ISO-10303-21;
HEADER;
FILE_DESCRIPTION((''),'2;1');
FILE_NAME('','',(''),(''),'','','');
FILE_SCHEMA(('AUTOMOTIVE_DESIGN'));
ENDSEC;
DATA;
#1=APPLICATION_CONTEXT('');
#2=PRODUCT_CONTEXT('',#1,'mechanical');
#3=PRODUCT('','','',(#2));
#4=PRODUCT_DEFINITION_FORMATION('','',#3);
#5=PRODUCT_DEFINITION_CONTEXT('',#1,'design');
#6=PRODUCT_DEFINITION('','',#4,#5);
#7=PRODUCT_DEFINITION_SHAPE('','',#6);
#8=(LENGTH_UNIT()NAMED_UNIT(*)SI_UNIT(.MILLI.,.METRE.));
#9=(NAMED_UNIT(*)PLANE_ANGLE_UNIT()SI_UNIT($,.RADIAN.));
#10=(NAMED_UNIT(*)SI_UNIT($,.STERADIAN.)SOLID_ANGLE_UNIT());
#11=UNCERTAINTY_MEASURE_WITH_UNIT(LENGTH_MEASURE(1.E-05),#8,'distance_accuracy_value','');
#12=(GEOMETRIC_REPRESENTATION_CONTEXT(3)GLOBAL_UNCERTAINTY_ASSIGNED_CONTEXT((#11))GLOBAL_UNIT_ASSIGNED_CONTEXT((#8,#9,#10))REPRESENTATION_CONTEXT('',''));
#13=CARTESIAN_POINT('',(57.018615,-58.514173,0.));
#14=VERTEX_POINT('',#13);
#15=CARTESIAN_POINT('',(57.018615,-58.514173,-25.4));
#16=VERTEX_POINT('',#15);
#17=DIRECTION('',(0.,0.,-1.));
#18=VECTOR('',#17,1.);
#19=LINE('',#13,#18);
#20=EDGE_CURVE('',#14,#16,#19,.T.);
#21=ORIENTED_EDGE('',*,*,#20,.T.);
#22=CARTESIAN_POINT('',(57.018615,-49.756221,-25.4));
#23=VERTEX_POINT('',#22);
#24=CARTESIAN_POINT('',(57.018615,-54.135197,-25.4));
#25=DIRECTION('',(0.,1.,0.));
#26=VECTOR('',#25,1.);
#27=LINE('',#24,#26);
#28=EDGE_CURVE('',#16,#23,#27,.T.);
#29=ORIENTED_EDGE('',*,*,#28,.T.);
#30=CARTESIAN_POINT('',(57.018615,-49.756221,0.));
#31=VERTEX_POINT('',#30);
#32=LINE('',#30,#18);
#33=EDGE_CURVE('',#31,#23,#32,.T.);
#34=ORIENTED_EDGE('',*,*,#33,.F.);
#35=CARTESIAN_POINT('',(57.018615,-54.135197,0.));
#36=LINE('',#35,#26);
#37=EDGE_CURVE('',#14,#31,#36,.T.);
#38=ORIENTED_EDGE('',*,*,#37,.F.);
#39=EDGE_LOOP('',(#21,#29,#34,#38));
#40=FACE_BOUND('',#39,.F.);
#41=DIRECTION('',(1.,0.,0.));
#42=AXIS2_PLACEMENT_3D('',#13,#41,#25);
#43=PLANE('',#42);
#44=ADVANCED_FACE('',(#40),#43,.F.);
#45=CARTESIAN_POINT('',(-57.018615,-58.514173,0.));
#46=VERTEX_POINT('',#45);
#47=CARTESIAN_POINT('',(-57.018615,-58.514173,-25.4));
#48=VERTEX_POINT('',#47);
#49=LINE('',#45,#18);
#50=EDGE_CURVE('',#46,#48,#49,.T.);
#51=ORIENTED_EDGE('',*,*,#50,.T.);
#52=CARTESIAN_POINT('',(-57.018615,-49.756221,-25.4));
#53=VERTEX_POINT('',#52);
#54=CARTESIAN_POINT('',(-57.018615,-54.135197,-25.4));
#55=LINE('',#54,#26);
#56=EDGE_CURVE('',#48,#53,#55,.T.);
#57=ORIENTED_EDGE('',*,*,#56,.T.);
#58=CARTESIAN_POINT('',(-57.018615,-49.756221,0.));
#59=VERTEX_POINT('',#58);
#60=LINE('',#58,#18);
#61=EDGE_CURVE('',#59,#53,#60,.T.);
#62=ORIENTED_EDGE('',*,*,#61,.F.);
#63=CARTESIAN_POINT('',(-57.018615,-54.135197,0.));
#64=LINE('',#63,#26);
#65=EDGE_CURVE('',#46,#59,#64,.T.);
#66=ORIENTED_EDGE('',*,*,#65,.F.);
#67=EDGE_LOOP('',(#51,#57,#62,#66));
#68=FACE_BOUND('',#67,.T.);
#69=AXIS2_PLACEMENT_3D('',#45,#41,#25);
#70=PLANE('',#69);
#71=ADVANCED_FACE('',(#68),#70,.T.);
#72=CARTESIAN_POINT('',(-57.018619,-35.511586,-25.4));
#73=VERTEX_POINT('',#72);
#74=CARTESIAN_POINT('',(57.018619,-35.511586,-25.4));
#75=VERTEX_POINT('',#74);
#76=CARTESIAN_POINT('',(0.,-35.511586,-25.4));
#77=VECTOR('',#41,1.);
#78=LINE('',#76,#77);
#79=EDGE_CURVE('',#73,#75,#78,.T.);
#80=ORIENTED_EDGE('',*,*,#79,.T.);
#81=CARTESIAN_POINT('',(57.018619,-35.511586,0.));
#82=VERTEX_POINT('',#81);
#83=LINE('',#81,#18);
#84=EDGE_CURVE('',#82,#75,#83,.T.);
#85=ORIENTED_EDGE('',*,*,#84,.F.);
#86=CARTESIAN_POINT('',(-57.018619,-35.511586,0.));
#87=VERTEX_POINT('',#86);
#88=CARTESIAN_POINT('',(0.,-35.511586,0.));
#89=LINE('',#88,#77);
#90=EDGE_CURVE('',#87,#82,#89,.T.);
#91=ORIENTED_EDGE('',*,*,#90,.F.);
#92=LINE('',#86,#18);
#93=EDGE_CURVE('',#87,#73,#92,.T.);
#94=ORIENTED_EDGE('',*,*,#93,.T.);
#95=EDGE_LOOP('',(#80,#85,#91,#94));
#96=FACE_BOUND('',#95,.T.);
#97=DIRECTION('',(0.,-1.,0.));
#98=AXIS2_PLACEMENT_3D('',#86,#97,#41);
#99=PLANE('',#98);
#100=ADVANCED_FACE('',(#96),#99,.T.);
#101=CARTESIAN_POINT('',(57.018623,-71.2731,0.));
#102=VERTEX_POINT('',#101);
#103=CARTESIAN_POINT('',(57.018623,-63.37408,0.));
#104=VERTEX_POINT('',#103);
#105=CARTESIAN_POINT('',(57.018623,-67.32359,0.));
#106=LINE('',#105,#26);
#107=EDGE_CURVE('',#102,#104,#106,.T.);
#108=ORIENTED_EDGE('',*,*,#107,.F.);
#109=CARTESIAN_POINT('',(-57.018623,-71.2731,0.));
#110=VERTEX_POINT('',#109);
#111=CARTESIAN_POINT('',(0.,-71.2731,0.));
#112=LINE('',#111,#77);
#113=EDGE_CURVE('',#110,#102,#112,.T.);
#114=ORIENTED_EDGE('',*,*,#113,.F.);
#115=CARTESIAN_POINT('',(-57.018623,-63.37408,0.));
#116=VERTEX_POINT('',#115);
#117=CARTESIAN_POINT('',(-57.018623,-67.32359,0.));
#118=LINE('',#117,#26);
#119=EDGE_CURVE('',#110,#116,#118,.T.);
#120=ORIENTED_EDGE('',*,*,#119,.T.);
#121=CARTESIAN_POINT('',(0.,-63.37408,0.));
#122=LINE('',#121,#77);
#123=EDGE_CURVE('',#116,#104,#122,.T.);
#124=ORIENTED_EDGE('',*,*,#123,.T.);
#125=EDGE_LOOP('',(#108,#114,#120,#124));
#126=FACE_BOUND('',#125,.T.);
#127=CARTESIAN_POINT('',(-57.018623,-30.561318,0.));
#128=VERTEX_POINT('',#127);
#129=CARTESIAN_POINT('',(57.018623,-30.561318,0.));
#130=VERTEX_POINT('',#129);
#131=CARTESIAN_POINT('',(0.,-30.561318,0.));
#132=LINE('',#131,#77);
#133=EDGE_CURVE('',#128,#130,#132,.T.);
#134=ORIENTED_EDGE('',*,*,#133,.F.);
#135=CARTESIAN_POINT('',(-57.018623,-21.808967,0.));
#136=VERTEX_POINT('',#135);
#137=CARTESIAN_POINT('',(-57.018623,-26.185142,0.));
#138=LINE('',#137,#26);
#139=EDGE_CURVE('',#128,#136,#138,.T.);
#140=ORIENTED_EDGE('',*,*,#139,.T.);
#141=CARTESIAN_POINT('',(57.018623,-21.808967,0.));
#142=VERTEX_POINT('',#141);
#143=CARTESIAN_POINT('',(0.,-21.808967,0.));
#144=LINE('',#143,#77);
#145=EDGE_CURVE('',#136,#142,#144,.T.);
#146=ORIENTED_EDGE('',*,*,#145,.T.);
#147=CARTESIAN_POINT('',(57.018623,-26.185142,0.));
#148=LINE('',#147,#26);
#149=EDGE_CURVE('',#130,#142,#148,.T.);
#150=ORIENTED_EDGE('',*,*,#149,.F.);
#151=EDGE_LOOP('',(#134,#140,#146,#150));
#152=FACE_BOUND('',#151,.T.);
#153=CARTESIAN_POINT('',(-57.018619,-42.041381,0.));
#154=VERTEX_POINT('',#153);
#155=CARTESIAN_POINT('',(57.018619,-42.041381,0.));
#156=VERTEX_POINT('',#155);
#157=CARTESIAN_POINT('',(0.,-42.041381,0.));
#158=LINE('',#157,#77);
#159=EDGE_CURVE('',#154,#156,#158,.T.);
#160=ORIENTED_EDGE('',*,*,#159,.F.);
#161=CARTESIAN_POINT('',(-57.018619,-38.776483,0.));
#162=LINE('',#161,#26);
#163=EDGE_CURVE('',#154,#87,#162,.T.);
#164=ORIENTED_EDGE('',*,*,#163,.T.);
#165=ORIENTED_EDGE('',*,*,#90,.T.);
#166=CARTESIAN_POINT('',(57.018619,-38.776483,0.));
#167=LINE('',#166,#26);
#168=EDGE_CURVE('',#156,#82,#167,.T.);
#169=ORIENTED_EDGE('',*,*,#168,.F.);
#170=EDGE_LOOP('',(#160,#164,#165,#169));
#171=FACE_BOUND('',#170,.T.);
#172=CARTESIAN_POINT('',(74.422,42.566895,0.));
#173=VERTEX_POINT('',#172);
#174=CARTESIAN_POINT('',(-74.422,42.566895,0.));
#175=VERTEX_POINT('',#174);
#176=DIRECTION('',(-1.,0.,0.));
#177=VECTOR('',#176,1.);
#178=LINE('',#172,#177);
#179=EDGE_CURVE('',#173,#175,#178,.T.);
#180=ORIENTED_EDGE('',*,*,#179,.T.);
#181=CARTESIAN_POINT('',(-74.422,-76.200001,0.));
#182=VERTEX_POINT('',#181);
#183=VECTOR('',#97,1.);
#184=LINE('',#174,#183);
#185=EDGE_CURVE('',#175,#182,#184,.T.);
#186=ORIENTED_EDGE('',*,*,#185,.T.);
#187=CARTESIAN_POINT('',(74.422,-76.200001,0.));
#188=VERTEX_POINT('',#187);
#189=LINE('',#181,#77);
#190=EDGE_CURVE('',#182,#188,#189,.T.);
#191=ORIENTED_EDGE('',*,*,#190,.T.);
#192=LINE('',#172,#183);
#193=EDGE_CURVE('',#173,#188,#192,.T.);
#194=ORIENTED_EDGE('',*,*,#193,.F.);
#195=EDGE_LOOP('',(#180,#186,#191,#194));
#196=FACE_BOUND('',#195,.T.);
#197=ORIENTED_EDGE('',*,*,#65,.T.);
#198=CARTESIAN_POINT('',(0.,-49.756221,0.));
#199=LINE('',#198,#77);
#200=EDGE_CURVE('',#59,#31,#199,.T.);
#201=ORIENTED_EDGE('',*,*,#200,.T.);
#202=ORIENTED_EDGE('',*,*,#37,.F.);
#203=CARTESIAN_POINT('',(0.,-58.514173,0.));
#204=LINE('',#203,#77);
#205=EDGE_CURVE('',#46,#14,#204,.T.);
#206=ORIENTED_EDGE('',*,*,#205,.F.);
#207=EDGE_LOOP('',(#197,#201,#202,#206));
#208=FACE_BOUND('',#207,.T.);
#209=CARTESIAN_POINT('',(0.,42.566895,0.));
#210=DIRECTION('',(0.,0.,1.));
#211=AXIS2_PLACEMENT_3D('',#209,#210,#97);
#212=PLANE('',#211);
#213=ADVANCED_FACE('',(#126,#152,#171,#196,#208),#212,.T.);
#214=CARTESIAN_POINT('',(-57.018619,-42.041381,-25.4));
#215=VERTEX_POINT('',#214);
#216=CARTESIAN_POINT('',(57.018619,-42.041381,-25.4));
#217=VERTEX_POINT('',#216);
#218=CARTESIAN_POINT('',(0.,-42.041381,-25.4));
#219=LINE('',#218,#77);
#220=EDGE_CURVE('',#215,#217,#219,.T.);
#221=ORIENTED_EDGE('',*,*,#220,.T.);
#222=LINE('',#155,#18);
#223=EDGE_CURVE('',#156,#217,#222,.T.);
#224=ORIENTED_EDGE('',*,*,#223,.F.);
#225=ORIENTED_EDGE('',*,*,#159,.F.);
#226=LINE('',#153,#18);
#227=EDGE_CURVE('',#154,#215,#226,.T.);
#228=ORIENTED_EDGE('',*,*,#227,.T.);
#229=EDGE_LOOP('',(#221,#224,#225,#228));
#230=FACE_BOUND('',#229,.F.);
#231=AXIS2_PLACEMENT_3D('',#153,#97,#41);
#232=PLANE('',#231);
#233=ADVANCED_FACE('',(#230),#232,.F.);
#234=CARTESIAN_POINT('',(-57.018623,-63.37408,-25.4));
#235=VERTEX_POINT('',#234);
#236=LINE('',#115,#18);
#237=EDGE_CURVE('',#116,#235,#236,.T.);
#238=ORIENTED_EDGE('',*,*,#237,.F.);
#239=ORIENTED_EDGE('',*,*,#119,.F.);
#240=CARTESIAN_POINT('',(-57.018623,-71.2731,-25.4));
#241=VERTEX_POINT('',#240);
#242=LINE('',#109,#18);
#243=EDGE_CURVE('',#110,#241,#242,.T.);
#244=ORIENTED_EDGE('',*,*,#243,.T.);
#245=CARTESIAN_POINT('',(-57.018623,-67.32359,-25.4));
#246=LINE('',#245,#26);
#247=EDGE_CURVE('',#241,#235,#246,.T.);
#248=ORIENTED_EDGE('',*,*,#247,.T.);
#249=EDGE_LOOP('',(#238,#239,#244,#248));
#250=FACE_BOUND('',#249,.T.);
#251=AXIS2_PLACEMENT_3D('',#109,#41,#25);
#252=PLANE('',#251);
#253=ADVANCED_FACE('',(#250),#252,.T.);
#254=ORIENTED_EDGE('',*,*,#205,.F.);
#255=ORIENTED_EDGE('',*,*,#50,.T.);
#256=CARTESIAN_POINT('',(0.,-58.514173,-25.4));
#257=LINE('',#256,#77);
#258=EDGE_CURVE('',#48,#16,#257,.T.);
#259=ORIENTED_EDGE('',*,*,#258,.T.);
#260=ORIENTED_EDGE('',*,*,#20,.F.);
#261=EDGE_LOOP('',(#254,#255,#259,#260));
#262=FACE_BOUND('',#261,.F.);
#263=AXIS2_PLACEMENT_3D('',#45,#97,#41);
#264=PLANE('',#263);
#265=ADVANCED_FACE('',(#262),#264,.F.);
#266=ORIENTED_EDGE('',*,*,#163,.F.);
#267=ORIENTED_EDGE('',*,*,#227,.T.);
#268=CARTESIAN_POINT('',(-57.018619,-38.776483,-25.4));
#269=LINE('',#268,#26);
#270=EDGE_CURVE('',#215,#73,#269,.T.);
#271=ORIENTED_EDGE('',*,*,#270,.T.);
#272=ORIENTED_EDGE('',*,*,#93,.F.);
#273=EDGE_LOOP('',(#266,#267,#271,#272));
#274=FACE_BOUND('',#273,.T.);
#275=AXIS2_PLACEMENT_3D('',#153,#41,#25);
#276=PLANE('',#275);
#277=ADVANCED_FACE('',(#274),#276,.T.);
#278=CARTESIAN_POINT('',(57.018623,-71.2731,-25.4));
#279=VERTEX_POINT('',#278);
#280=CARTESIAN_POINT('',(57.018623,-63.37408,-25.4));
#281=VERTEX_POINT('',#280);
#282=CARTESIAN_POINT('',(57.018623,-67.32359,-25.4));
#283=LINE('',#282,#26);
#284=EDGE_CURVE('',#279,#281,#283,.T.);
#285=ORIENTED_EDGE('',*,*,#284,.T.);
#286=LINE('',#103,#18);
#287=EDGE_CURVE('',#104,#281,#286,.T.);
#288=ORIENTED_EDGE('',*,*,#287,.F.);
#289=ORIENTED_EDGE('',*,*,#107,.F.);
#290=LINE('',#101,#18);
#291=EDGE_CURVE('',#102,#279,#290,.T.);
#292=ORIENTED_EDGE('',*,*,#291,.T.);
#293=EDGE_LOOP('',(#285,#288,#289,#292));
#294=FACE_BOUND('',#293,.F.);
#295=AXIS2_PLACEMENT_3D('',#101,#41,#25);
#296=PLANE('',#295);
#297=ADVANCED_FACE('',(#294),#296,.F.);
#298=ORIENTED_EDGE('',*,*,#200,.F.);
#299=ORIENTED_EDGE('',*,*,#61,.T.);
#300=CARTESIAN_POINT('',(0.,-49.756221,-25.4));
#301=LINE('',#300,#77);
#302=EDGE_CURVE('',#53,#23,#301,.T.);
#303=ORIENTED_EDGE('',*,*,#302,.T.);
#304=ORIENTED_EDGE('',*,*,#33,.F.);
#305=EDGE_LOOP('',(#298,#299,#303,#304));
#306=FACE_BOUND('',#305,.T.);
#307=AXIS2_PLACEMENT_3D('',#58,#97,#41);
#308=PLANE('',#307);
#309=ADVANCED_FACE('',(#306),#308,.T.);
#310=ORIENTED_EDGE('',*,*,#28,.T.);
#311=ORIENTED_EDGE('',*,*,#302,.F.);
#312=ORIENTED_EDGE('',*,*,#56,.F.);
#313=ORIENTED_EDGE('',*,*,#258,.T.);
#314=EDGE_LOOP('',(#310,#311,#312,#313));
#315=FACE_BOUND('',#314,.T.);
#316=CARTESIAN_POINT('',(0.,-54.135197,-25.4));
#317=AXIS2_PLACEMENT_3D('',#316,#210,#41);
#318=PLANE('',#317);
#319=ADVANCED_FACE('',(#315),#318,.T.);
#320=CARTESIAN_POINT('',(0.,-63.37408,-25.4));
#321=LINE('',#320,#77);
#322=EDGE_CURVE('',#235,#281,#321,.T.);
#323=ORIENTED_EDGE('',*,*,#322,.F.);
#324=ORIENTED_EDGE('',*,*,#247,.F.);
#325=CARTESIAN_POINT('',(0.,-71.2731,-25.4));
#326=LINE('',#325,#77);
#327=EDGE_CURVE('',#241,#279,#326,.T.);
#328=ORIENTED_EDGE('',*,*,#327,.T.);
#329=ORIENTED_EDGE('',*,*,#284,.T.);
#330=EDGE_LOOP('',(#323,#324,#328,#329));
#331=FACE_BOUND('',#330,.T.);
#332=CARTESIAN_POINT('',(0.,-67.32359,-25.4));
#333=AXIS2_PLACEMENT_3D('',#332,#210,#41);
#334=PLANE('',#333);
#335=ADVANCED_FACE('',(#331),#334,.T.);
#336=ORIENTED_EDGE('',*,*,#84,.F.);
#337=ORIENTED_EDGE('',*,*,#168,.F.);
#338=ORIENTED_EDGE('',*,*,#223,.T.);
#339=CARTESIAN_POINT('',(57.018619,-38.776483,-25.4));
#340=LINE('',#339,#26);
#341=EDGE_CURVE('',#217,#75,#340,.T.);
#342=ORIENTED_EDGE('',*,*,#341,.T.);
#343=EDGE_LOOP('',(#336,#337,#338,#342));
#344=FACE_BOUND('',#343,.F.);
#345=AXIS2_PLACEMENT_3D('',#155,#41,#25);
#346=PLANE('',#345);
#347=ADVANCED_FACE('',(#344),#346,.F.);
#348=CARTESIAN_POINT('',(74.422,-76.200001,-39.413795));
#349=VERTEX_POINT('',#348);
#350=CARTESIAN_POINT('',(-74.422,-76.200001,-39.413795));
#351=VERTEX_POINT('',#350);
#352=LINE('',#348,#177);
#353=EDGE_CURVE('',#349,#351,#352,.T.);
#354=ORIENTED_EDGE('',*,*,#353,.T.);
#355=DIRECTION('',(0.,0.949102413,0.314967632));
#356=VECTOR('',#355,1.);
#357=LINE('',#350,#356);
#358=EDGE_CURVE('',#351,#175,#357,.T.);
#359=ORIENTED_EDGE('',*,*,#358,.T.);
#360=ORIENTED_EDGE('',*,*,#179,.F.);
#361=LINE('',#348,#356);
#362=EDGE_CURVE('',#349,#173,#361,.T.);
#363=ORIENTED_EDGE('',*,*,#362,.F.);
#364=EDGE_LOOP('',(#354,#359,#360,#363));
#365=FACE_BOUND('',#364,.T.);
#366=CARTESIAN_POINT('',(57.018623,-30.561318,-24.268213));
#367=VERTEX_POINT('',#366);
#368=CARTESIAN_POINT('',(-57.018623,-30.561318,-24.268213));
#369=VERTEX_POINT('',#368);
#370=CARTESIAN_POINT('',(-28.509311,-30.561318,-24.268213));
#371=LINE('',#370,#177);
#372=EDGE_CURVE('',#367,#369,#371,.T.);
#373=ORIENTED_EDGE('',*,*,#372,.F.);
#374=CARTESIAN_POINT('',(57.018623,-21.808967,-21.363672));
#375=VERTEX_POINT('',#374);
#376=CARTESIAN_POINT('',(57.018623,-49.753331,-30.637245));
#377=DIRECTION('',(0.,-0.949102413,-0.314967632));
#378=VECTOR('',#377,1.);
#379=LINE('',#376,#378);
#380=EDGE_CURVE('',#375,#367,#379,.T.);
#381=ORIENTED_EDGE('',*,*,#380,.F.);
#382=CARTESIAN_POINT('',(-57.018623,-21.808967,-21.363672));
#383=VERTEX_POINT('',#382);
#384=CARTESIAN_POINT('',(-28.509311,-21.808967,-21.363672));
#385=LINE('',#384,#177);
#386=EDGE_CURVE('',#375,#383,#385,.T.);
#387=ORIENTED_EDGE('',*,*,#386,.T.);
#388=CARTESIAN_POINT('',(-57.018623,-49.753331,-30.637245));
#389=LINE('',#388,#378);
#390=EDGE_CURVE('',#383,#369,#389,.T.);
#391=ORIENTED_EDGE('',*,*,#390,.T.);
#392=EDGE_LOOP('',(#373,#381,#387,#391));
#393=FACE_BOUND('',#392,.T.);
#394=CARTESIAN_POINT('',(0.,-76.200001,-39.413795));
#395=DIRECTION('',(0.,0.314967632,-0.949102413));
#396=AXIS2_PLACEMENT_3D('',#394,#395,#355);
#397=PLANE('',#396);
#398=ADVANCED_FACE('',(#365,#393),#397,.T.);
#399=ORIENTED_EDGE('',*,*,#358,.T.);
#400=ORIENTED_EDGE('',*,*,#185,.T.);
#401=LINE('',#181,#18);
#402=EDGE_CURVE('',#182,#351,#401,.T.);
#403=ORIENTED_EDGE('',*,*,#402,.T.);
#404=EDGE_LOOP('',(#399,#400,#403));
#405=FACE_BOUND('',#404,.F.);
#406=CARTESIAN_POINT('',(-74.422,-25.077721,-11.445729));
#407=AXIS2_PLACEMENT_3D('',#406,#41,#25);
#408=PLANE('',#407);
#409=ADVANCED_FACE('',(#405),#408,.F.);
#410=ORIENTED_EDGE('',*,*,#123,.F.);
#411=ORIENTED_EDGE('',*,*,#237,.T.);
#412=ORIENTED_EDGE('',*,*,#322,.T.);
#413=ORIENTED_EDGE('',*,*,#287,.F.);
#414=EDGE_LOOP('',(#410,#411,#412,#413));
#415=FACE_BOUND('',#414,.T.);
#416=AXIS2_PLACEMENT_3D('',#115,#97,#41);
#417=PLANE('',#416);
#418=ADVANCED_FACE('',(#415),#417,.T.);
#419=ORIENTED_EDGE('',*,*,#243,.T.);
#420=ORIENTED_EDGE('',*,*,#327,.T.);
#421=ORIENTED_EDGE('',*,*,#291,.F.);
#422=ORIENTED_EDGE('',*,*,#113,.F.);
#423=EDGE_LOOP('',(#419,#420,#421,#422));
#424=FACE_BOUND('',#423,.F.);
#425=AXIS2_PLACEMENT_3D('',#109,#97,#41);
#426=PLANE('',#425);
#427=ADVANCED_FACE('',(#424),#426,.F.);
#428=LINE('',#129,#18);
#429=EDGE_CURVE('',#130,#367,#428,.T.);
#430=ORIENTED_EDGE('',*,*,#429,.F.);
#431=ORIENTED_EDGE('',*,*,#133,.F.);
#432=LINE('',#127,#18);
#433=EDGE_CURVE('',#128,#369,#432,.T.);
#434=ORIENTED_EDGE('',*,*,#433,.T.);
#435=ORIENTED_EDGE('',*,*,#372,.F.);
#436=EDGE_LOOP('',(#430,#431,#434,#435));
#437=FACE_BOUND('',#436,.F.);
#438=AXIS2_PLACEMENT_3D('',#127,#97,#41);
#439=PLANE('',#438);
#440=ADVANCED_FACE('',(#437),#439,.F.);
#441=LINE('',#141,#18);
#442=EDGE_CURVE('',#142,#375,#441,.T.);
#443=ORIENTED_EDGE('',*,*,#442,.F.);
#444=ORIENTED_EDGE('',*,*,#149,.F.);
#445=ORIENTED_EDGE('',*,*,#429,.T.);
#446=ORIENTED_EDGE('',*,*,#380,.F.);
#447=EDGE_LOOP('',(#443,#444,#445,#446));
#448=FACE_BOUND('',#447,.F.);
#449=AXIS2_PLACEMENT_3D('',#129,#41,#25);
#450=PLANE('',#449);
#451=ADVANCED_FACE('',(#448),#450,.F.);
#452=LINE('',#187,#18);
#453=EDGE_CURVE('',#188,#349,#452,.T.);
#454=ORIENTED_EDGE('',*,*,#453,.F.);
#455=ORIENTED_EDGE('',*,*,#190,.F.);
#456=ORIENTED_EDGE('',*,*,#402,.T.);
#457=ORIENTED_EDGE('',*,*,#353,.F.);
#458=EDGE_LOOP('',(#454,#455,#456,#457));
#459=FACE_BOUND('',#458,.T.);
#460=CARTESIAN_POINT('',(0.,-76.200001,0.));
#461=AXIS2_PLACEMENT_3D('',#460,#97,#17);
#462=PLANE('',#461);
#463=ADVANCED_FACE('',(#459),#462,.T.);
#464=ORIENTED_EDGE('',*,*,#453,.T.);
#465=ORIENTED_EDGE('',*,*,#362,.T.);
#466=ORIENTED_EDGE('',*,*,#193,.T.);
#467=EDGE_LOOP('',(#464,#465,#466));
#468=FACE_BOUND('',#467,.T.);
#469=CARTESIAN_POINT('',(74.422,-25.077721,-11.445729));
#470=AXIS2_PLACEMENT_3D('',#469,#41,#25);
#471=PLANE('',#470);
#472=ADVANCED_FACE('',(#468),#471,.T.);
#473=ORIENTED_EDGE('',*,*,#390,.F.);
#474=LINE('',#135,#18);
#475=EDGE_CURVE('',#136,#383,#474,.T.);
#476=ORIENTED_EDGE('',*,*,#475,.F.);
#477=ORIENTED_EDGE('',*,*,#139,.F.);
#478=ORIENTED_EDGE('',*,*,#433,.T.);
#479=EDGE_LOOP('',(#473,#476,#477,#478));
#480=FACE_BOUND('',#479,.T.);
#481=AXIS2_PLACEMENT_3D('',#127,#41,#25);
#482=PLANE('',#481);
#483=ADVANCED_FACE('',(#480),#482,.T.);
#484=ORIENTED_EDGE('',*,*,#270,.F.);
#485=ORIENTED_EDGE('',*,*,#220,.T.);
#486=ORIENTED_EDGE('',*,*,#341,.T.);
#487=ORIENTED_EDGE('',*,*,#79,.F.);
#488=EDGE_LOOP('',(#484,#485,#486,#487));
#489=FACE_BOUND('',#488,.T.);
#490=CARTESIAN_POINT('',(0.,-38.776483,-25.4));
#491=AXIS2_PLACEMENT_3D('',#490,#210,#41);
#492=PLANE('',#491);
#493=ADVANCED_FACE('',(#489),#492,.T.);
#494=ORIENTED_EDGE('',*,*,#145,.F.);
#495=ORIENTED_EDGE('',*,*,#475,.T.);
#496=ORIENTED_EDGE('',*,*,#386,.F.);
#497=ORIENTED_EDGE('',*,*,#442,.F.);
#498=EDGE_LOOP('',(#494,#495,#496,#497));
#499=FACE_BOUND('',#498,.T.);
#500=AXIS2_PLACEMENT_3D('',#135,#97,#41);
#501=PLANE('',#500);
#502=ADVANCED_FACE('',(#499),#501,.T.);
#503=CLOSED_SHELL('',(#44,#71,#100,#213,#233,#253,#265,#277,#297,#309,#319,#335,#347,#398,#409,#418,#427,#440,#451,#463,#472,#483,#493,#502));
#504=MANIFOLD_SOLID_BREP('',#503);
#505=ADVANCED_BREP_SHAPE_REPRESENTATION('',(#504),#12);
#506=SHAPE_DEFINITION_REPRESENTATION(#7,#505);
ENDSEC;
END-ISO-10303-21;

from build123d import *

# Parameters (mm, degrees)
F2_DEPTH = 74.422
F0_W     = 114.037246
F0_H     = 8.752351
F3_DEPTH = 25.4
F0_W_2   = 114.037238
F0_H_2   = 6.529795
F4_DEPTH = 25.4
F0_W_3   = 114.03723
F0_H_3   = 8.757952
F5_DEPTH = 25.4
F0_H_4   = 7.899019
F6_DEPTH = 25.4


with BuildPart() as f2:
    # F1 (on Right) → F2 (new body, symmetric)
    with BuildSketch(Plane.YZ):
        Polygon((42.566895, 0), (-76.200001, 0), (-76.200001, -39.413795), align=None)
    extrude(amount=F2_DEPTH, both=True)

    # F0 (on Top) → F3 (cut)
    with BuildSketch(Plane.XY):
        with Locations((0, -26.185142)):
            Rectangle(F0_W, F0_H)
    extrude(amount=-F3_DEPTH, mode=Mode.SUBTRACT)

    # F0 (on Top) → F4 (cut)
    with BuildSketch(Plane.XY):
        with Locations((0, -38.776483)):
            Rectangle(F0_W_2, F0_H_2)
    extrude(amount=-F4_DEPTH, mode=Mode.SUBTRACT)

    # F0 (on Top) → F5 (cut)
    with BuildSketch(Plane.XY):
        with Locations((0, -54.135197)):
            Rectangle(F0_W_3, F0_H_3)
    extrude(amount=-F5_DEPTH, mode=Mode.SUBTRACT)

    # F0 (on Top) → F6 (cut)
    with BuildSketch(Plane.XY):
        with Locations((0, -67.32359)):
            Rectangle(F0_W, F0_H_4)
    extrude(amount=-F6_DEPTH, mode=Mode.SUBTRACT)


solid = f2.part
